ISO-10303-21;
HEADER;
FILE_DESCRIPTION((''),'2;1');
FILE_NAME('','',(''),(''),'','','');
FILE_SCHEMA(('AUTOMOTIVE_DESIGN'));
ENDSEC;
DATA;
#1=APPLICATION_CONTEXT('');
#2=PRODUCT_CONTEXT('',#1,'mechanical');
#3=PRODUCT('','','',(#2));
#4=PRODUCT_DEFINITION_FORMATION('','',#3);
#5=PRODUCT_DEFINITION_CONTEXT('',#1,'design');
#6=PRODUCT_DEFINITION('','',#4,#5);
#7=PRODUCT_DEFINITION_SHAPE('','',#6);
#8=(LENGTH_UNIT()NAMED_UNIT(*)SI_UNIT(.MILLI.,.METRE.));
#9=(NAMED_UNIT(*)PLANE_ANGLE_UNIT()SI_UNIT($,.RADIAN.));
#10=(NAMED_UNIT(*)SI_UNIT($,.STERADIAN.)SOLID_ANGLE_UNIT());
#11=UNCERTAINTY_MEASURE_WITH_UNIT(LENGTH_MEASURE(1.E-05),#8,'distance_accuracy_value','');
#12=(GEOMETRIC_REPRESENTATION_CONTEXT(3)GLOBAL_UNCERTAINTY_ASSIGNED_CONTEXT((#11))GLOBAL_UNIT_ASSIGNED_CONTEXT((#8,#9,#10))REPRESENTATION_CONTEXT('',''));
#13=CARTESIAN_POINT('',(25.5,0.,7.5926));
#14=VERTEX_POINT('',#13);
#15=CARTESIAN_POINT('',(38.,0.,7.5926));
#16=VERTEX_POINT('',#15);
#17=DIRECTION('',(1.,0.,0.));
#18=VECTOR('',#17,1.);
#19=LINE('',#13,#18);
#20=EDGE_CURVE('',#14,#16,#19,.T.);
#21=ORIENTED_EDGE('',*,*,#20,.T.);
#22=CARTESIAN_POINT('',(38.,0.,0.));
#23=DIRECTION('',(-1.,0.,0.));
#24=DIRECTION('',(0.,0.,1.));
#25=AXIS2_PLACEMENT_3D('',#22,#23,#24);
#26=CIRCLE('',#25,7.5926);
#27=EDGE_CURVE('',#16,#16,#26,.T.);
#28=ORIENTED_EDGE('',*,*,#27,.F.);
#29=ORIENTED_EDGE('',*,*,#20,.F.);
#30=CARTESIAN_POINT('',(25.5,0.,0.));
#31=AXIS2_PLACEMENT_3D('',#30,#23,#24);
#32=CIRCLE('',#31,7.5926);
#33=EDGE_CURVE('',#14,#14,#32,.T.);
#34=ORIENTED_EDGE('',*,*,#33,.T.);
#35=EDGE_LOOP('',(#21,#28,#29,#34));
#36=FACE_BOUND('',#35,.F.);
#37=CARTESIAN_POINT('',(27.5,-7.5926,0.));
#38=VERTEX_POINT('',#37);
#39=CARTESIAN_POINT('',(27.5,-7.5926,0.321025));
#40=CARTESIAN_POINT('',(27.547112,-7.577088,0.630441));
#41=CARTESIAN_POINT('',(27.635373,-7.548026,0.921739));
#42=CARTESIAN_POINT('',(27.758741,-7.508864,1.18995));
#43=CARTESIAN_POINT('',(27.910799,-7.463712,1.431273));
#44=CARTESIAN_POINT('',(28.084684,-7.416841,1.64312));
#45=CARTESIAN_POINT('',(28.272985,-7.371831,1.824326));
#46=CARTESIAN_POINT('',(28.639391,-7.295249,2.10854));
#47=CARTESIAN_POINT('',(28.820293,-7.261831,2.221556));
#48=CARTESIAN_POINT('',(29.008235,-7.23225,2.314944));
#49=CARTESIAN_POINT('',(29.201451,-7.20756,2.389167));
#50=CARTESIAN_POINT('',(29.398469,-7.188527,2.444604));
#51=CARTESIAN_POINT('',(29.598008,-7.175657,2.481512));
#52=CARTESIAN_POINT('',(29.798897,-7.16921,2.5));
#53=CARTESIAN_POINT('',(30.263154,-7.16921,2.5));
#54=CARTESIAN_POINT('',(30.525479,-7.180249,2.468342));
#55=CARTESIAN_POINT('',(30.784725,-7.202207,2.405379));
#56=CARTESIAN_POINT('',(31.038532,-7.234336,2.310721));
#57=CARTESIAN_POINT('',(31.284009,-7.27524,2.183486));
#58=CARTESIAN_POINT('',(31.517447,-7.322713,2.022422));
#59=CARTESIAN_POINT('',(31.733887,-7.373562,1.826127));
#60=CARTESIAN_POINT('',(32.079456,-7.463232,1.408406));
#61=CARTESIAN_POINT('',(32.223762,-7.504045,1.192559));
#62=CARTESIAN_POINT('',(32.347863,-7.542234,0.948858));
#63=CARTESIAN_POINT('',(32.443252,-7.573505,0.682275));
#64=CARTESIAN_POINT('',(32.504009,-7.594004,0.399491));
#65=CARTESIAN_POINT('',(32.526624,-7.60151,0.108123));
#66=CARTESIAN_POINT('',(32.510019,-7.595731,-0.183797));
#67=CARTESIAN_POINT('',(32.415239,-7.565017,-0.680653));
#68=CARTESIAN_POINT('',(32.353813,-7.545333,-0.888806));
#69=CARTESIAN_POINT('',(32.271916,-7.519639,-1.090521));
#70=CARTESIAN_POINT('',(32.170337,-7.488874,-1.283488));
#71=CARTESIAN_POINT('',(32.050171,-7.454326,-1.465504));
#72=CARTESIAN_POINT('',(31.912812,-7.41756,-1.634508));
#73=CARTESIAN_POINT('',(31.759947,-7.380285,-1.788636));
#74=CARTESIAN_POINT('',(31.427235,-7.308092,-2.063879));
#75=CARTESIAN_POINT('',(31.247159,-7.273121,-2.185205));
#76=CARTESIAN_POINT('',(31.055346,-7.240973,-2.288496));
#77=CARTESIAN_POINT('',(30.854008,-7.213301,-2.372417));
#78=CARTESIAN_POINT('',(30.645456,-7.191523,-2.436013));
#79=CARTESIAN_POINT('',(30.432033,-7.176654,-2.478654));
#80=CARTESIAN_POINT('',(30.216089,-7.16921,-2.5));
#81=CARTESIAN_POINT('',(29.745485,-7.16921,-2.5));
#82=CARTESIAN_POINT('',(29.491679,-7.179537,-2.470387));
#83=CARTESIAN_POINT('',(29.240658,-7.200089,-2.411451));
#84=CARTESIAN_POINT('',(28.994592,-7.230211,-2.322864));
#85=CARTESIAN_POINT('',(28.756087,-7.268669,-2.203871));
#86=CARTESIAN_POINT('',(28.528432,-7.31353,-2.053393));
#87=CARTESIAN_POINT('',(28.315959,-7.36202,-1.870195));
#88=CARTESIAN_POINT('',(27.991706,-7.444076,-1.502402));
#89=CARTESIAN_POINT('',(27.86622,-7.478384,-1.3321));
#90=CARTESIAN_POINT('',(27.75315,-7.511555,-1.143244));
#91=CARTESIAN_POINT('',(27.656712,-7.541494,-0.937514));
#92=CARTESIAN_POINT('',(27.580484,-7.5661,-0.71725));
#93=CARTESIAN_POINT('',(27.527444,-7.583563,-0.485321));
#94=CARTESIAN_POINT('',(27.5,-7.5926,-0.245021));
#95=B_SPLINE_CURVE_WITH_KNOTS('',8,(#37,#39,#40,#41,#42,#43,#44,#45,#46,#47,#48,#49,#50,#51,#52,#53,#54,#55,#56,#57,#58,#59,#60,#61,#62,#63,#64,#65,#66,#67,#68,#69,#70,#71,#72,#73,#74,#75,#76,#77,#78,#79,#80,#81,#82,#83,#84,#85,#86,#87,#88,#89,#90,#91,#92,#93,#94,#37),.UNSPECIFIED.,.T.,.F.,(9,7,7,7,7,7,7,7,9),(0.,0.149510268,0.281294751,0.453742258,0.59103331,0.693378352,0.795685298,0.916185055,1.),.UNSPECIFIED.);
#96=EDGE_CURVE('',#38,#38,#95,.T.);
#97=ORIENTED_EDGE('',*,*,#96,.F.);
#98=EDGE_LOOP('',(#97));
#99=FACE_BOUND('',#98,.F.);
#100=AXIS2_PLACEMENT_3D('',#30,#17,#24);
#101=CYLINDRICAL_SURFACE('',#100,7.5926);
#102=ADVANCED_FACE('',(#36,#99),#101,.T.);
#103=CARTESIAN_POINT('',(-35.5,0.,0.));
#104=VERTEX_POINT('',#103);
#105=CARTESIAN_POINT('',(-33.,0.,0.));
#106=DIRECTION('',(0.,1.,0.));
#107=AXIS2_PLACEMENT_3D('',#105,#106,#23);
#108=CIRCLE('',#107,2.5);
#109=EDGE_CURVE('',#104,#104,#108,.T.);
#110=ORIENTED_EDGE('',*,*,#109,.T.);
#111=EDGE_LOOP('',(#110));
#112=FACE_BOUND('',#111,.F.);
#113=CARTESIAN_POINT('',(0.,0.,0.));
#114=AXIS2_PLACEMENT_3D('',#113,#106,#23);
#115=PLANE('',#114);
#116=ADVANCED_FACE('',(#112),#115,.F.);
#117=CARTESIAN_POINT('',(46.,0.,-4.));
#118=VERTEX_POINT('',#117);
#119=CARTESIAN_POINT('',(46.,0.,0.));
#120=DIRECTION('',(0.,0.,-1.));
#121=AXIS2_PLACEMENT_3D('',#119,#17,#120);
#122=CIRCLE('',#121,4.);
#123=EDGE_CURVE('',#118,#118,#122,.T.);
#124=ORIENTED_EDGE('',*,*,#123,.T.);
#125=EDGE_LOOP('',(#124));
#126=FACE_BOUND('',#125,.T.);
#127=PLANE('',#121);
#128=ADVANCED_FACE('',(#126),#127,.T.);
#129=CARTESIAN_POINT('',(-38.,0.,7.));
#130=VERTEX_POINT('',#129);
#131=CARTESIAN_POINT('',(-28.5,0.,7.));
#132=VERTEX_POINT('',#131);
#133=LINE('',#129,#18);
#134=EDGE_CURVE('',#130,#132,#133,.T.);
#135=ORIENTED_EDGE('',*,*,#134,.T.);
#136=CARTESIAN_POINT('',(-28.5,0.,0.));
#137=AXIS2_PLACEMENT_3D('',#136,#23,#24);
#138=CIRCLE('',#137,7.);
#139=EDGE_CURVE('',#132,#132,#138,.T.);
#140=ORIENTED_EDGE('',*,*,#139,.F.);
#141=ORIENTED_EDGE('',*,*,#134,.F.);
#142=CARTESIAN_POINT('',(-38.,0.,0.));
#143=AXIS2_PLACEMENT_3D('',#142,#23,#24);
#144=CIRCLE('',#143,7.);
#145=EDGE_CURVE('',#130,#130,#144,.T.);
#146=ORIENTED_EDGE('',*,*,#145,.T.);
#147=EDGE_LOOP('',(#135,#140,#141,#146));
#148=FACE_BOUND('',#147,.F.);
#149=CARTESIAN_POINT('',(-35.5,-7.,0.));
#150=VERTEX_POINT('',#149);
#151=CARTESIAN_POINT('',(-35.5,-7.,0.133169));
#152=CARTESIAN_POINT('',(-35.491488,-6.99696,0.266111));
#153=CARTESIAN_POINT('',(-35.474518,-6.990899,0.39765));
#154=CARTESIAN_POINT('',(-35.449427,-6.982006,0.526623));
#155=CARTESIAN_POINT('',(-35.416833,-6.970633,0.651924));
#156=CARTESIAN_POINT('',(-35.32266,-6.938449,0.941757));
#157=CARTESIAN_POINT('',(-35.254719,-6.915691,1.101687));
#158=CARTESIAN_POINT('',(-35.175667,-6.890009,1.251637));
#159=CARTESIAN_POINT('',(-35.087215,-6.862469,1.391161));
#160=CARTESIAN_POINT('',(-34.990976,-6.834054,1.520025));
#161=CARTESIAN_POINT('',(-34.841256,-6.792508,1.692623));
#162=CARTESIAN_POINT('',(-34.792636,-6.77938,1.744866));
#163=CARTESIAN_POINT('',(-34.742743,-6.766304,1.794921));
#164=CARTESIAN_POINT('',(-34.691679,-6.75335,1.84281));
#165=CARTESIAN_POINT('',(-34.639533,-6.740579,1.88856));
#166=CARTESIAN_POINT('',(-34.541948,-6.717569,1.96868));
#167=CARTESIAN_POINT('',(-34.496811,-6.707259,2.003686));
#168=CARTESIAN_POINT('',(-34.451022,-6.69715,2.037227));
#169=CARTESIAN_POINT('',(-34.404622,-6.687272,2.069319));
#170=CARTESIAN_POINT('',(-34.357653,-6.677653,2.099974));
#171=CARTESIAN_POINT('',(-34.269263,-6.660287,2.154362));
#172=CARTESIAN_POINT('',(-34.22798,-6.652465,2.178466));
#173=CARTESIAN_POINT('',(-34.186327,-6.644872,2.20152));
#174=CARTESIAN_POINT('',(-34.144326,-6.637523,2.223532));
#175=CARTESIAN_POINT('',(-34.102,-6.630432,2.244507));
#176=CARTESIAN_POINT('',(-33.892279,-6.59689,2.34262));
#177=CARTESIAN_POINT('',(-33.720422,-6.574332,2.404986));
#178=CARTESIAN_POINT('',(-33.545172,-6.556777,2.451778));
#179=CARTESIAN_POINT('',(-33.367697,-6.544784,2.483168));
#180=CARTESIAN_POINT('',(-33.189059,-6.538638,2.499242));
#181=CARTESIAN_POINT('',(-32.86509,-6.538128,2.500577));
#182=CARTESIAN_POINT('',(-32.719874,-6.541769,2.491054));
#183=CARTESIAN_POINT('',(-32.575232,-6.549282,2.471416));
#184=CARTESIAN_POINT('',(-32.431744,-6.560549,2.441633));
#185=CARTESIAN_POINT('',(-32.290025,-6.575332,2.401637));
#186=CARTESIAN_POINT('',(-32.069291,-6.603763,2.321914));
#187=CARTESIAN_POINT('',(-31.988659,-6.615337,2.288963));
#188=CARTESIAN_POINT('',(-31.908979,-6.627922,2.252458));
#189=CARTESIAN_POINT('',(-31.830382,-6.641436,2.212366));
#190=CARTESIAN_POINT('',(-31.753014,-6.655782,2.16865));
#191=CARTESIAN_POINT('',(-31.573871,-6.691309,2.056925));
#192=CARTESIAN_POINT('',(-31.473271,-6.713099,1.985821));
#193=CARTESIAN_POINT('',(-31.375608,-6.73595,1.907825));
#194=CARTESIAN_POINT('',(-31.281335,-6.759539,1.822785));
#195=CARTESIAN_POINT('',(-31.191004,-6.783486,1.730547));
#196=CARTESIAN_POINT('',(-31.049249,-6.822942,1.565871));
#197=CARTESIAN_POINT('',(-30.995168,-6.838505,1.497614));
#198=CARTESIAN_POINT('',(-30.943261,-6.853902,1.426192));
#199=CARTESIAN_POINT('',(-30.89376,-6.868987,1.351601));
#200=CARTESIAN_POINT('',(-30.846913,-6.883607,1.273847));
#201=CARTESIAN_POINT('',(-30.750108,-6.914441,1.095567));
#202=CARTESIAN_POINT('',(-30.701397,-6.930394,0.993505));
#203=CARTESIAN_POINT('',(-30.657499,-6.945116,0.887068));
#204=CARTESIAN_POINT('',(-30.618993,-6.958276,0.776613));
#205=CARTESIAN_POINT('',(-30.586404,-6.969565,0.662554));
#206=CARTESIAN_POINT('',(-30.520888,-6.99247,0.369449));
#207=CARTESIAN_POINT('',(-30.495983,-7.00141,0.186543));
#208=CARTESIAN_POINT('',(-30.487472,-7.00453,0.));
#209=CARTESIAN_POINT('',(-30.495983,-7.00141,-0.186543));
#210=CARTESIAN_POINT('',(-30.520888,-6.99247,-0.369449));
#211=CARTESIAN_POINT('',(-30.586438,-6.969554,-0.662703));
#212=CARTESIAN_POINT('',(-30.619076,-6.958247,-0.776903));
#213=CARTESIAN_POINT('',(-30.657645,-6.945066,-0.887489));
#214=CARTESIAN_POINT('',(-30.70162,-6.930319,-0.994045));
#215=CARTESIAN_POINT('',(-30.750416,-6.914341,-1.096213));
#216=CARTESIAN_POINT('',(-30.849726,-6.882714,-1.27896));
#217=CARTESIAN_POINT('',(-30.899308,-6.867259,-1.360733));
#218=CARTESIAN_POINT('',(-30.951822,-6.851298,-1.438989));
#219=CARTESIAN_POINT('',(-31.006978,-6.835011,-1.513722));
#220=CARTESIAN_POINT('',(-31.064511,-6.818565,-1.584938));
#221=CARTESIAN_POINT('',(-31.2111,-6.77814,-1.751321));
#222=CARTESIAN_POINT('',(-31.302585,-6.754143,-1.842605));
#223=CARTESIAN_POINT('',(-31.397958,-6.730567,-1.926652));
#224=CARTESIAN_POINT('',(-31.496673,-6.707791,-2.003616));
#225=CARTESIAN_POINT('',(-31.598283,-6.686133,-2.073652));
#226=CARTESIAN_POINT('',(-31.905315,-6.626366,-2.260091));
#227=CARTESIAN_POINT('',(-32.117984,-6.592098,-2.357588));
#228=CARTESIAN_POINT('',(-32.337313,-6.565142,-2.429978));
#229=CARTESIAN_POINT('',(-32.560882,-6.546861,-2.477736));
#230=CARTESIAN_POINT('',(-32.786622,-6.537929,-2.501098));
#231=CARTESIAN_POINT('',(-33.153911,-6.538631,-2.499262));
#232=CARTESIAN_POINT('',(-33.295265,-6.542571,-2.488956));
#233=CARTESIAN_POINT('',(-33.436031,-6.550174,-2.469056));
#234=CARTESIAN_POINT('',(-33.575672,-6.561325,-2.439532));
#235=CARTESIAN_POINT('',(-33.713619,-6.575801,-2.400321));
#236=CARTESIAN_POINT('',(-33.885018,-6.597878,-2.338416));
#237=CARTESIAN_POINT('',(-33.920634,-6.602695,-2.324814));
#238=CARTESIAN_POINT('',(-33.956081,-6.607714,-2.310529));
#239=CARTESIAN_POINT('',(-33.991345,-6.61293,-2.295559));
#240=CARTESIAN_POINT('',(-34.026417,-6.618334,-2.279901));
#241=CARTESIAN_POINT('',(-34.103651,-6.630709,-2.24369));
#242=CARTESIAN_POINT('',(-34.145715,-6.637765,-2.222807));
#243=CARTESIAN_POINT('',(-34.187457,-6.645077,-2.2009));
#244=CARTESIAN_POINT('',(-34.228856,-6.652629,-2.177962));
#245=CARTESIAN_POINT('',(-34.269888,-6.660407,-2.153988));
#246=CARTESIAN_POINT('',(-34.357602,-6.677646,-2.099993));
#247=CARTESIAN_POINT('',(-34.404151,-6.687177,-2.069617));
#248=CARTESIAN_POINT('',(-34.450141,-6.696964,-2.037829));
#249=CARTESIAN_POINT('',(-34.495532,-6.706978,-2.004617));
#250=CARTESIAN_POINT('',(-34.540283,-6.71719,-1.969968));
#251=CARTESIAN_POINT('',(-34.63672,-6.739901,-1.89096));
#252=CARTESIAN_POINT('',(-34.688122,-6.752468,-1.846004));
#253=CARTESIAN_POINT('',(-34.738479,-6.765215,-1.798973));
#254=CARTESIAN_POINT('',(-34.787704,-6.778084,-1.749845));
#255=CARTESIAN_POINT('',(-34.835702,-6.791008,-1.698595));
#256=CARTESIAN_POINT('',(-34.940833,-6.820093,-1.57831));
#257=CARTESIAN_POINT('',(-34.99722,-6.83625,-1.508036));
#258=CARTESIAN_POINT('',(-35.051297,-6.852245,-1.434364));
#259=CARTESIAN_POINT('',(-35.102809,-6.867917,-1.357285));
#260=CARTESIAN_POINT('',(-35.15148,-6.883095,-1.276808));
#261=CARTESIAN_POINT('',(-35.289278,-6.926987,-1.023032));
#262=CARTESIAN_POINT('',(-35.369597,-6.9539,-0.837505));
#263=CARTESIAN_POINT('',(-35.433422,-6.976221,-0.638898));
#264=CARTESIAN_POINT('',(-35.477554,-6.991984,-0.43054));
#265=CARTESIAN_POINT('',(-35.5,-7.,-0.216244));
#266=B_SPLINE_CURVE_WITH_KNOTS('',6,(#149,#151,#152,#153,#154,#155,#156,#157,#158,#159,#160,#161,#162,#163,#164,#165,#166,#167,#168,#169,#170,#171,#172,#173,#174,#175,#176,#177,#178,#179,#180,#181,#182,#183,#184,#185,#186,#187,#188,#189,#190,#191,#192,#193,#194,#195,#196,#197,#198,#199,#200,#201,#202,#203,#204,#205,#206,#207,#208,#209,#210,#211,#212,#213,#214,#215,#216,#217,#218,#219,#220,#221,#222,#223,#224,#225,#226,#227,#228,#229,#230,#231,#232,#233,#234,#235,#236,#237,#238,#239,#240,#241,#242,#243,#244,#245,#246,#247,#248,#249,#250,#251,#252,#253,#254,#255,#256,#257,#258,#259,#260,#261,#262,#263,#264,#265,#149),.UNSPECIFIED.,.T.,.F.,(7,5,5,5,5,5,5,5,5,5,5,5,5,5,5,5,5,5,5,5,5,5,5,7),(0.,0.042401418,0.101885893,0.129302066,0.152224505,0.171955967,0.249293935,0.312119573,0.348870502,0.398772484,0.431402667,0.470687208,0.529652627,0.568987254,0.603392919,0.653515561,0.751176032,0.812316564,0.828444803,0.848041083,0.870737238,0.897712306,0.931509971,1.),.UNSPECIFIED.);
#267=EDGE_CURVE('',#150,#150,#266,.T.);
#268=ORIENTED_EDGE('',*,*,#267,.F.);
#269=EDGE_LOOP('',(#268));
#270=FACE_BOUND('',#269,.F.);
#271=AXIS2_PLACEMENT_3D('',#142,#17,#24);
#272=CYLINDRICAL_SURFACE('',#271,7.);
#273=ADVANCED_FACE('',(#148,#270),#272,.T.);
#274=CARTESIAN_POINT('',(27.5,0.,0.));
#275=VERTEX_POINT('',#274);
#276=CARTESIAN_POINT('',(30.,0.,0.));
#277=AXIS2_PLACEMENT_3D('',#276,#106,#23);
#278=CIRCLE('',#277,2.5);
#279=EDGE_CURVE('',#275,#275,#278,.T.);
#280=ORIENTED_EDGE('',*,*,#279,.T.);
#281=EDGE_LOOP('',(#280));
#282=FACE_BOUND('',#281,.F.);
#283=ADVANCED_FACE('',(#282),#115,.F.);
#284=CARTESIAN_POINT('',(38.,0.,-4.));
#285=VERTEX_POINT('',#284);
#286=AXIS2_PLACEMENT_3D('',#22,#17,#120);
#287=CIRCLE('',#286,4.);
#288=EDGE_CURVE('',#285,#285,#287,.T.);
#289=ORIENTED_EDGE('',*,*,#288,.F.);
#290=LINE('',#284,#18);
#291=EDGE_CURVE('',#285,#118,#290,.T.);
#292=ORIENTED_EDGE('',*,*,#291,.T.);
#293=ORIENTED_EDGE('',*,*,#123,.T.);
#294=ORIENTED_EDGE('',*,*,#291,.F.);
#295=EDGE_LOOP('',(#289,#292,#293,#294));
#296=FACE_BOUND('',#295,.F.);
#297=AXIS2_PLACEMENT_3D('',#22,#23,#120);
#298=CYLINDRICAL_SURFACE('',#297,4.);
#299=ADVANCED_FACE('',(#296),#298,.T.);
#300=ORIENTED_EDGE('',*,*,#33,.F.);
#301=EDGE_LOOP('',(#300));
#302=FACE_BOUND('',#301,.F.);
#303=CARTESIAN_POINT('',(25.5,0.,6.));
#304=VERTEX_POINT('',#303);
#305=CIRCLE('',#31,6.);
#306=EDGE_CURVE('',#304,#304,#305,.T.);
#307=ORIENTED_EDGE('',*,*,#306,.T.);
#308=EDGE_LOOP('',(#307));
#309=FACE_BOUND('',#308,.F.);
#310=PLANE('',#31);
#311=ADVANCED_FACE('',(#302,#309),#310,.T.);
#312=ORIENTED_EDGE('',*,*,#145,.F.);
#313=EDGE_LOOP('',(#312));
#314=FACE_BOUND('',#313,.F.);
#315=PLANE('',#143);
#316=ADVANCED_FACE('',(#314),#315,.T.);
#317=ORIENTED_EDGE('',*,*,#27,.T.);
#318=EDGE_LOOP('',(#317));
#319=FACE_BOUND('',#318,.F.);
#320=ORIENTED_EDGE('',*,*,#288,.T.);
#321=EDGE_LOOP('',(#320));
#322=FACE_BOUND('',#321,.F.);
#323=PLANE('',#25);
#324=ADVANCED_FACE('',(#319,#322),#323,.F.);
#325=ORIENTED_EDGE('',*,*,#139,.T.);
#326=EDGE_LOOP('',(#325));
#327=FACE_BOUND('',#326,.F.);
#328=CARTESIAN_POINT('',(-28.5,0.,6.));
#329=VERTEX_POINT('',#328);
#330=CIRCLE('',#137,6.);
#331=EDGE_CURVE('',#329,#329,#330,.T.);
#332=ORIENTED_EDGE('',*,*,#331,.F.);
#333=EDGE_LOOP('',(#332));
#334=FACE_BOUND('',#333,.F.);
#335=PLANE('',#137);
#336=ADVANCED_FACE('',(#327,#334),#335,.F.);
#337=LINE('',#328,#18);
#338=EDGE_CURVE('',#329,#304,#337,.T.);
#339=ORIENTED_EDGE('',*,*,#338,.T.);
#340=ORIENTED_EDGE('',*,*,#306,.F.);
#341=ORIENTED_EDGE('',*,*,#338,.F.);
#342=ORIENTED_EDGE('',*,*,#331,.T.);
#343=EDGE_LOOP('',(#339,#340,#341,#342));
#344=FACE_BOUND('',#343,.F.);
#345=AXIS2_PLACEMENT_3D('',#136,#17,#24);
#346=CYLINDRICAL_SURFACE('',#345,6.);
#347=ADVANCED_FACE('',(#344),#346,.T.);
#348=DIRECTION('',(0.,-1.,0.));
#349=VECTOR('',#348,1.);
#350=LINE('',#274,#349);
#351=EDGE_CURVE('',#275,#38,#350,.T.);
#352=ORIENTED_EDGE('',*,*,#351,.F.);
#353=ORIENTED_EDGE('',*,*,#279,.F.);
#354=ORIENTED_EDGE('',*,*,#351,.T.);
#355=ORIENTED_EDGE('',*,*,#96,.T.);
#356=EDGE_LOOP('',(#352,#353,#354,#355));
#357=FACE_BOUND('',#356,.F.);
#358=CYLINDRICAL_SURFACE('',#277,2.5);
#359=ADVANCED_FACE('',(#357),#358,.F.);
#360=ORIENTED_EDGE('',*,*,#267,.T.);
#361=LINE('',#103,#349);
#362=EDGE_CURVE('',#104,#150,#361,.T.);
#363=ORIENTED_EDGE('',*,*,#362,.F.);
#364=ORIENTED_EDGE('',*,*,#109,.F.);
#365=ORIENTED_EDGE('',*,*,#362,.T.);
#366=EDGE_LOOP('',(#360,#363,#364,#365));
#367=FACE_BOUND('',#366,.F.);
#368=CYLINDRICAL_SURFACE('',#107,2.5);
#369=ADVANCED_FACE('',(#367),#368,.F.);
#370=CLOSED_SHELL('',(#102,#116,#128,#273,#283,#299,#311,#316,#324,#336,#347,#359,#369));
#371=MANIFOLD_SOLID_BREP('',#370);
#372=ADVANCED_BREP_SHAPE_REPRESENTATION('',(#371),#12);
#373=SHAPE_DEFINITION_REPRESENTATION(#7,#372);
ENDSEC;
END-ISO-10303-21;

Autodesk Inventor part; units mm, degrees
ref_plane "YZ Plane" through (0, 0, 0) normal (1, 0, 0) x (0, 1, 0)
ref_plane "XZ Plane" through (0, 0, 0) normal (0, 1, 0) x (-1, 0, 0)
ref_plane "XY Plane" through (0, 0, 0) normal (0, 0, 1) x (1, 0, 0)
sketch "Sketch1" plane through (0, 0, 0) normal (0, 1, 0) x (-1, 0, 0)
  line L0 (-38, 0) -> (38, 0)
  line L1 (38, 0) -> (38, 7)
  line L2 (38, 7) -> (28.5, 7)
  line L3 (28.5, 7) -> (28.5, 6)
  line L4 (28.5, 6) -> (-25.5, 6)
  line L5 (-38, 7.5926) -> (-38, 0)
  line L6 (-25.5, 6) -> (-25.5, 7.5926)
  line L7 (-25.5, 7.5926) -> (-38, 7.5926)
  point P0 (0, 0)
  point P1 (0, 0)
  dimension "d0" = 76
  dimension "d1" = 9.5
  dimension "d3" = 12.5
  dimension "d4" = 14
  dimension "d5" = 12
revolve "Revolution1" add sketch "Sketch1" angle 360 about axis through (38, 0, 0) along (-1, 0, 0)
sketch "Sketch2" plane through (0, 0, 0) normal (0, 1, 0) x (-1, 0, 0)
  line L0 (-38, -7.5926) -> (-38, 7.5926) projected
  line L1 (38, -7) -> (38, 7) projected
  line L2 (-38, 0) -> (38, 0) construction
  circle A0 centre (-30, 0) radius 2.5
  circle A1 centre (33, 0) radius 2.5
  point P0 (0, 0)
  dimension "d7" = 8
  dimension "d8" = 5
  dimension "d9" = 5
  dimension "d10" = 5
extrude "Extrusion1" cut sketch "Sketch2" against normal through all
sketch "Sketch3" plane through (38, 0, 0) normal (1, 0, 0) x (0, 0, -1)
  circle A0 centre (0, 0) radius 4
  dimension "d13" = 8
extrude "Extrusion2" add sketch "Sketch3" along normal blind 8
equation "\"d0\" = parS + stroke"
equation "\"d1\" = parNB"
equation "\"d3\" = parNA"
equation "\"d4\" = parC"
equation "\"d5\" = parB"
equation "\"d7\" = parGA"
equation "\"d8\" = parGB"
equation "\"parA\" = 15"
equation "\"parB\" = 12"
equation "\"parC\" = 14"
equation "\"parD\" = 4"
equation "\"parF\" = 8"
equation "\"parGA\" = 8"
equation "\"parGB\" = 5"
equation "\"parH\" = 28"
equation "\"parMM\" = 4"
equation "\"parNA\" = 12.5"
equation "\"parNB\" = 9.5"
equation "\"Ndh8\" = 8"
equation "\"parNN\" = 8"
equation "\"parS\" = 46"
equation "\"parZ\" = 74"
equation "\"stroke\" = 30"
properties part number "30mmCylinder"
